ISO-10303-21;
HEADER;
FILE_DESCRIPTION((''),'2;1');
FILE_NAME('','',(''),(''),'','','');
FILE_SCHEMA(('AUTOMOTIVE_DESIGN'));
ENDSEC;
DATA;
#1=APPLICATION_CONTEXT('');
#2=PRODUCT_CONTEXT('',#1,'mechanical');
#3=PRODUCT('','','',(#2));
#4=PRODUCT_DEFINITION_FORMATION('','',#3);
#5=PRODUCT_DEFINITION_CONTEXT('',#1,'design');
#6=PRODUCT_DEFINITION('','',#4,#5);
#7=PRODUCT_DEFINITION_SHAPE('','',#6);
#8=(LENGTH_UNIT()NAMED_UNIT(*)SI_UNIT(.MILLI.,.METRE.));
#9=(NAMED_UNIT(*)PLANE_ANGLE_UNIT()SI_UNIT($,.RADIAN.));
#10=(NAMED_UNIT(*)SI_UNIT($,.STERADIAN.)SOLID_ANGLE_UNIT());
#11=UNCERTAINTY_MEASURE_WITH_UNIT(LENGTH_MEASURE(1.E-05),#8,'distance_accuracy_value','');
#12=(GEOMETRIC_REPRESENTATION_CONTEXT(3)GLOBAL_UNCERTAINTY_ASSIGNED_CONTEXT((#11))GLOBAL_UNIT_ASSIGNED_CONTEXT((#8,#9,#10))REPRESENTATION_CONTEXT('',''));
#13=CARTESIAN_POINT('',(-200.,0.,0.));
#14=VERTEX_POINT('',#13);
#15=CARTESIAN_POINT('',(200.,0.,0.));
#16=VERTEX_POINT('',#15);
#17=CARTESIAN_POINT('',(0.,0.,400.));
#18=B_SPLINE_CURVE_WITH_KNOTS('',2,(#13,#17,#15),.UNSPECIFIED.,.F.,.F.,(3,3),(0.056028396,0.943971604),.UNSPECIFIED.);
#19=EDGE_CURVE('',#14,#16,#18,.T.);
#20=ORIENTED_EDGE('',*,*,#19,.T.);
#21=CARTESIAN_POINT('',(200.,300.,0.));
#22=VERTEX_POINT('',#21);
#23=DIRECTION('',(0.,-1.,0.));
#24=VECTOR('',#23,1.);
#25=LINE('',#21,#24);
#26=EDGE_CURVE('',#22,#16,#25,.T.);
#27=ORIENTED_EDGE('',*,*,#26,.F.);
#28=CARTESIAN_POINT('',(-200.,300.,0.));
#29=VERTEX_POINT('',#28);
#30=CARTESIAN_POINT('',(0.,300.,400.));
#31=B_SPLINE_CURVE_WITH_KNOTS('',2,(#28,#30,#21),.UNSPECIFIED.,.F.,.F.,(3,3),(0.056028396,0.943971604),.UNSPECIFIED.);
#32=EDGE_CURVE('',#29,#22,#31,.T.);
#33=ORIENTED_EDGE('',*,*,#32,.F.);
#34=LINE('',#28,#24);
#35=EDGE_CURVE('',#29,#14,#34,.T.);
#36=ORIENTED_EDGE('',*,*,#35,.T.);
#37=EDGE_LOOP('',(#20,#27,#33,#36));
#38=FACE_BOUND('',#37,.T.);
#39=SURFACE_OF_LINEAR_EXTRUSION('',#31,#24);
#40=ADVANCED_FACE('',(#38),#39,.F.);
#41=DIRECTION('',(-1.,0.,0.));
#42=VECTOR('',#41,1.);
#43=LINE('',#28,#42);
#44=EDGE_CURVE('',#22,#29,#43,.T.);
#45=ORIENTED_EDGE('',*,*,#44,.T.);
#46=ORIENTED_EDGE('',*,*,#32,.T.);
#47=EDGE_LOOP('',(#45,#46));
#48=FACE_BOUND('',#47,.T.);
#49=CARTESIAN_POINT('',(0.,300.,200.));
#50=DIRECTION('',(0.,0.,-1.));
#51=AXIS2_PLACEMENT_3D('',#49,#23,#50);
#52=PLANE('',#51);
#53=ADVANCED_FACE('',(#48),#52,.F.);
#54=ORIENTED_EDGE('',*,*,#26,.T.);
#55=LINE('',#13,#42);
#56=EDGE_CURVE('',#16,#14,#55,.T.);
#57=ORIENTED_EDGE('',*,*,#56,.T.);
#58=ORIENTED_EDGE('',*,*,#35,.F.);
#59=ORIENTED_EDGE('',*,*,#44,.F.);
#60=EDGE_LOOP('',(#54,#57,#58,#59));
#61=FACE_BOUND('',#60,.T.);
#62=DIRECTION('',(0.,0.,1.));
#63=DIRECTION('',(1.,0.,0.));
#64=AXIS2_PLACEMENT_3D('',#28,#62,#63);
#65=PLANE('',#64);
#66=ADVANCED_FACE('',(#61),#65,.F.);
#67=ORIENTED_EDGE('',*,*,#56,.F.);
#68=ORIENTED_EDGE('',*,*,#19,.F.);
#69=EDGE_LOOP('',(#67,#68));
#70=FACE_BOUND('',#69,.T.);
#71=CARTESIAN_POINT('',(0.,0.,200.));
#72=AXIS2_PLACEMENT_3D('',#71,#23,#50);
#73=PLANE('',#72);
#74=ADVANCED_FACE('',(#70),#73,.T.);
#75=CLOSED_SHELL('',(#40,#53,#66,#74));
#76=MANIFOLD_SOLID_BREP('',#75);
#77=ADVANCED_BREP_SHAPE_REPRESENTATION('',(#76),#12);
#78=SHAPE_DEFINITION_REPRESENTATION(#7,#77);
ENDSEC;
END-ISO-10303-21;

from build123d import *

# Parameters (mm, degrees)
BOSS_EXTRUDE1_DEPTH = 300


with BuildPart() as part:
    # Sketch1 → Boss-Extrude1 (new body)
    with BuildSketch(Plane(origin=(0, 0, 0), x_dir=(1, 0, 0), z_dir=(0, 1, 0))):
        with BuildLine():
            Line((-200, 1e-09), (200, 1e-09))
            add(Edge.make_bspline(
                [(-200, 1e-09), (0, -400.000000001), (200, 1e-09)],
                knots=[0.056028396, 0.056028396, 0.056028396, 0.943971604, 0.943971604, 0.943971604], degree=2))
        make_face()
    extrude(amount=BOSS_EXTRUDE1_DEPTH)


solid = part.part
